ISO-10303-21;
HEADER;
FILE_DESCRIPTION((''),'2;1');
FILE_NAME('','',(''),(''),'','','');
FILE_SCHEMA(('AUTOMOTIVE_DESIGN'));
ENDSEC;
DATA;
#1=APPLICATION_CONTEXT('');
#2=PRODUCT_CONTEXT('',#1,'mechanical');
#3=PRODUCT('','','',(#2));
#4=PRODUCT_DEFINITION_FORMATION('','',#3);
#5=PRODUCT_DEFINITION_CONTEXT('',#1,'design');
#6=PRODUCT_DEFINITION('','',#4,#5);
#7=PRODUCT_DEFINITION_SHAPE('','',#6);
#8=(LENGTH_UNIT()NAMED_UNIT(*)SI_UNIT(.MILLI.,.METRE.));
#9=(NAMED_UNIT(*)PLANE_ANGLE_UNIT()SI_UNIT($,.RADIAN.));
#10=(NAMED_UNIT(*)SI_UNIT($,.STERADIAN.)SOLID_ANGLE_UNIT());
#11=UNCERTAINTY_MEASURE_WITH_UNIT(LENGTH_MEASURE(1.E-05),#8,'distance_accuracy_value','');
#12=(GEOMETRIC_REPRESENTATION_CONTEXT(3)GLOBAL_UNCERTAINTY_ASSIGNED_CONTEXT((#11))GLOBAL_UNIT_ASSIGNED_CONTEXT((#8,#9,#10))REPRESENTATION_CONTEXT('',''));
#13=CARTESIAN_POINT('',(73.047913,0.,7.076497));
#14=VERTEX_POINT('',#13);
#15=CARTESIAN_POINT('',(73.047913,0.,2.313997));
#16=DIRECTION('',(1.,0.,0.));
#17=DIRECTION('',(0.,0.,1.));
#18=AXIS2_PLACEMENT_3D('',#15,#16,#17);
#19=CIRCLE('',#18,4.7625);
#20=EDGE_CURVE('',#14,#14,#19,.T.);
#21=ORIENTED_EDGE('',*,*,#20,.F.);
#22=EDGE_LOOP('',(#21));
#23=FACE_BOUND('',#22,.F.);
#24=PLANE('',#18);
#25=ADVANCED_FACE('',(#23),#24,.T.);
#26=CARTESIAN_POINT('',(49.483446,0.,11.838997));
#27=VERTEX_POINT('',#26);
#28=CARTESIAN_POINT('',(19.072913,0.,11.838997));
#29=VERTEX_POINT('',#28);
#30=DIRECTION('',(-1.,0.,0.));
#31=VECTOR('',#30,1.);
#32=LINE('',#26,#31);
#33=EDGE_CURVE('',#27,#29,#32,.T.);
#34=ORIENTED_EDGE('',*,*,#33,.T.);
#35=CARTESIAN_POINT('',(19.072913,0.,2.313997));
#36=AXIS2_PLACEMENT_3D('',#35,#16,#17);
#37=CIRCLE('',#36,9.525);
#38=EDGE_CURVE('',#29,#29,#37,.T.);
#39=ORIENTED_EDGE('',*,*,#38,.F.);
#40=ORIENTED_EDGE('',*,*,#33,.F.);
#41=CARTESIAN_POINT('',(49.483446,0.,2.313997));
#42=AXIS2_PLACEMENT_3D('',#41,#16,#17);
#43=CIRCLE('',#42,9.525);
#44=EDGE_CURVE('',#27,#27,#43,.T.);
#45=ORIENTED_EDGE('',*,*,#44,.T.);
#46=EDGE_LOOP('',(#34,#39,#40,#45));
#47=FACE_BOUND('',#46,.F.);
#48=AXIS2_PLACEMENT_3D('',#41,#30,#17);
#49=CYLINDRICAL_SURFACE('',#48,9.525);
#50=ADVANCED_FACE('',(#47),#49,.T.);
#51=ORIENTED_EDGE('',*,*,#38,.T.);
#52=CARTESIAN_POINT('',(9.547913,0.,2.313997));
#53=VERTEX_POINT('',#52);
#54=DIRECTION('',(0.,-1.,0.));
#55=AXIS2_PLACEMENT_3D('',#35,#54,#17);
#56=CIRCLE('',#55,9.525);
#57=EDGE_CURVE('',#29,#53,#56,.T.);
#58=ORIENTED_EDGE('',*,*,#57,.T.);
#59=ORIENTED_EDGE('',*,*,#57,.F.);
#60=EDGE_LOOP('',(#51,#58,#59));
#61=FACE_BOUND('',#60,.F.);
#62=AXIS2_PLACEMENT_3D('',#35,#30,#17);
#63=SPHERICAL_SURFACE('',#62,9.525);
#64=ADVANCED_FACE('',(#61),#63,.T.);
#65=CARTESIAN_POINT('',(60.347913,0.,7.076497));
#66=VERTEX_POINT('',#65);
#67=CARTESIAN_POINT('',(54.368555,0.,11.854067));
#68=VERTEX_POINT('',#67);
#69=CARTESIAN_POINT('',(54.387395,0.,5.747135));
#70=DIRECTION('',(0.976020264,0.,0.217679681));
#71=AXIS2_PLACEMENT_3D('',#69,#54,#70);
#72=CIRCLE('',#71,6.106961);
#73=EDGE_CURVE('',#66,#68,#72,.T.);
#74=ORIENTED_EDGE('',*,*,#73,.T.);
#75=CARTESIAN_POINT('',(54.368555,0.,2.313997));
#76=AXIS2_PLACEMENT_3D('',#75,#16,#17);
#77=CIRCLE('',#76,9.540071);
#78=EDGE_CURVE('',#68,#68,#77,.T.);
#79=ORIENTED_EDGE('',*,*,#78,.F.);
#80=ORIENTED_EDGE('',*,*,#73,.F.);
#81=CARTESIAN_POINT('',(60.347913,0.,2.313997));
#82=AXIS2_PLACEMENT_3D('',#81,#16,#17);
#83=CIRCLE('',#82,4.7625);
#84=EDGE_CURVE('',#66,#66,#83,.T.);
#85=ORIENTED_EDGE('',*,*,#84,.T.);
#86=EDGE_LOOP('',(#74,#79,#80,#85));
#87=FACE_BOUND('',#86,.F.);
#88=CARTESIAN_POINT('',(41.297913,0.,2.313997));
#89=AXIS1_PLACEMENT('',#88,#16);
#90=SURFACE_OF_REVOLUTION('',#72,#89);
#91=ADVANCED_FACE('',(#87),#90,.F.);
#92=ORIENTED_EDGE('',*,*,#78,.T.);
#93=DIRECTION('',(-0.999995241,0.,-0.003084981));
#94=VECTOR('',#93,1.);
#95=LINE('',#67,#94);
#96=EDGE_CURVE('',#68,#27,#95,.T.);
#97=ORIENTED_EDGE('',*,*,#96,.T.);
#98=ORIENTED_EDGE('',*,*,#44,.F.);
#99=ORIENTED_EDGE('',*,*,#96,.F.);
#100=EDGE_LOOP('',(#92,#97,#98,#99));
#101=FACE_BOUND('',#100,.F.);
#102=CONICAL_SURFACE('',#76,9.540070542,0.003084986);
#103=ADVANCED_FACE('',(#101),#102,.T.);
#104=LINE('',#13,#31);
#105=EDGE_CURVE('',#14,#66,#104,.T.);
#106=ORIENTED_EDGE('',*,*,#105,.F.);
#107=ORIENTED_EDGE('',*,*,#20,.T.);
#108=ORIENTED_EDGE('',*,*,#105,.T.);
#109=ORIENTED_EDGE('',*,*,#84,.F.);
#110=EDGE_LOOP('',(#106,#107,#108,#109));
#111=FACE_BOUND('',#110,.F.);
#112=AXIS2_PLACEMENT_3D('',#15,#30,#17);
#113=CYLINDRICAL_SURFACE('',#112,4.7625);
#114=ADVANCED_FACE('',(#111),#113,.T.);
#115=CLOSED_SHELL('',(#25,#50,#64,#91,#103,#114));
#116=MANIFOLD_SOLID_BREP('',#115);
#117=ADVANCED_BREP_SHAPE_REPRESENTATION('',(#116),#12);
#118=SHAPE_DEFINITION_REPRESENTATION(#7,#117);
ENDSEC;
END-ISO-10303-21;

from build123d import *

# Parameters (mm, degrees)
F2_R = 9.525


with BuildPart() as f1:
    # F0 (on Front) → F1 (revolve)
    with BuildSketch(Plane.XZ):
        with BuildLine():
            ThreePointArc((60.3479125157, 7.0764967829), (58.1995043928, 10.5181723535), (54.3685550559, 11.854067325))
            Line((54.3685550559, 11.854067325), (49.4834460962, 11.8389967829))
            Line((49.4834460962, 11.8389967829), (9.5479125157, 11.8389967829))
            Line((9.5479125157, 11.8389967829), (9.5479125157, 2.3139967829))
            Line((9.5479125157, 2.3139967829), (73.0479125157, 2.3139967829))
            Line((73.0479125157, 2.3139967829), (73.0479125157, 7.0764967829))
            Line((73.0479125157, 7.0764967829), (60.3479125157, 7.0764967829))
        make_face()
    revolve(axis=Axis((41.2979125157, 0, 2.3139967829), (1, 0, 0)))

    # F2
    f2_edges = [f1.edges().sort_by_distance(p)[0] for p in [
        (9.547913, 0, -7.211003),
    ]]
    fillet(f2_edges, radius=F2_R)


solid = f1.part
